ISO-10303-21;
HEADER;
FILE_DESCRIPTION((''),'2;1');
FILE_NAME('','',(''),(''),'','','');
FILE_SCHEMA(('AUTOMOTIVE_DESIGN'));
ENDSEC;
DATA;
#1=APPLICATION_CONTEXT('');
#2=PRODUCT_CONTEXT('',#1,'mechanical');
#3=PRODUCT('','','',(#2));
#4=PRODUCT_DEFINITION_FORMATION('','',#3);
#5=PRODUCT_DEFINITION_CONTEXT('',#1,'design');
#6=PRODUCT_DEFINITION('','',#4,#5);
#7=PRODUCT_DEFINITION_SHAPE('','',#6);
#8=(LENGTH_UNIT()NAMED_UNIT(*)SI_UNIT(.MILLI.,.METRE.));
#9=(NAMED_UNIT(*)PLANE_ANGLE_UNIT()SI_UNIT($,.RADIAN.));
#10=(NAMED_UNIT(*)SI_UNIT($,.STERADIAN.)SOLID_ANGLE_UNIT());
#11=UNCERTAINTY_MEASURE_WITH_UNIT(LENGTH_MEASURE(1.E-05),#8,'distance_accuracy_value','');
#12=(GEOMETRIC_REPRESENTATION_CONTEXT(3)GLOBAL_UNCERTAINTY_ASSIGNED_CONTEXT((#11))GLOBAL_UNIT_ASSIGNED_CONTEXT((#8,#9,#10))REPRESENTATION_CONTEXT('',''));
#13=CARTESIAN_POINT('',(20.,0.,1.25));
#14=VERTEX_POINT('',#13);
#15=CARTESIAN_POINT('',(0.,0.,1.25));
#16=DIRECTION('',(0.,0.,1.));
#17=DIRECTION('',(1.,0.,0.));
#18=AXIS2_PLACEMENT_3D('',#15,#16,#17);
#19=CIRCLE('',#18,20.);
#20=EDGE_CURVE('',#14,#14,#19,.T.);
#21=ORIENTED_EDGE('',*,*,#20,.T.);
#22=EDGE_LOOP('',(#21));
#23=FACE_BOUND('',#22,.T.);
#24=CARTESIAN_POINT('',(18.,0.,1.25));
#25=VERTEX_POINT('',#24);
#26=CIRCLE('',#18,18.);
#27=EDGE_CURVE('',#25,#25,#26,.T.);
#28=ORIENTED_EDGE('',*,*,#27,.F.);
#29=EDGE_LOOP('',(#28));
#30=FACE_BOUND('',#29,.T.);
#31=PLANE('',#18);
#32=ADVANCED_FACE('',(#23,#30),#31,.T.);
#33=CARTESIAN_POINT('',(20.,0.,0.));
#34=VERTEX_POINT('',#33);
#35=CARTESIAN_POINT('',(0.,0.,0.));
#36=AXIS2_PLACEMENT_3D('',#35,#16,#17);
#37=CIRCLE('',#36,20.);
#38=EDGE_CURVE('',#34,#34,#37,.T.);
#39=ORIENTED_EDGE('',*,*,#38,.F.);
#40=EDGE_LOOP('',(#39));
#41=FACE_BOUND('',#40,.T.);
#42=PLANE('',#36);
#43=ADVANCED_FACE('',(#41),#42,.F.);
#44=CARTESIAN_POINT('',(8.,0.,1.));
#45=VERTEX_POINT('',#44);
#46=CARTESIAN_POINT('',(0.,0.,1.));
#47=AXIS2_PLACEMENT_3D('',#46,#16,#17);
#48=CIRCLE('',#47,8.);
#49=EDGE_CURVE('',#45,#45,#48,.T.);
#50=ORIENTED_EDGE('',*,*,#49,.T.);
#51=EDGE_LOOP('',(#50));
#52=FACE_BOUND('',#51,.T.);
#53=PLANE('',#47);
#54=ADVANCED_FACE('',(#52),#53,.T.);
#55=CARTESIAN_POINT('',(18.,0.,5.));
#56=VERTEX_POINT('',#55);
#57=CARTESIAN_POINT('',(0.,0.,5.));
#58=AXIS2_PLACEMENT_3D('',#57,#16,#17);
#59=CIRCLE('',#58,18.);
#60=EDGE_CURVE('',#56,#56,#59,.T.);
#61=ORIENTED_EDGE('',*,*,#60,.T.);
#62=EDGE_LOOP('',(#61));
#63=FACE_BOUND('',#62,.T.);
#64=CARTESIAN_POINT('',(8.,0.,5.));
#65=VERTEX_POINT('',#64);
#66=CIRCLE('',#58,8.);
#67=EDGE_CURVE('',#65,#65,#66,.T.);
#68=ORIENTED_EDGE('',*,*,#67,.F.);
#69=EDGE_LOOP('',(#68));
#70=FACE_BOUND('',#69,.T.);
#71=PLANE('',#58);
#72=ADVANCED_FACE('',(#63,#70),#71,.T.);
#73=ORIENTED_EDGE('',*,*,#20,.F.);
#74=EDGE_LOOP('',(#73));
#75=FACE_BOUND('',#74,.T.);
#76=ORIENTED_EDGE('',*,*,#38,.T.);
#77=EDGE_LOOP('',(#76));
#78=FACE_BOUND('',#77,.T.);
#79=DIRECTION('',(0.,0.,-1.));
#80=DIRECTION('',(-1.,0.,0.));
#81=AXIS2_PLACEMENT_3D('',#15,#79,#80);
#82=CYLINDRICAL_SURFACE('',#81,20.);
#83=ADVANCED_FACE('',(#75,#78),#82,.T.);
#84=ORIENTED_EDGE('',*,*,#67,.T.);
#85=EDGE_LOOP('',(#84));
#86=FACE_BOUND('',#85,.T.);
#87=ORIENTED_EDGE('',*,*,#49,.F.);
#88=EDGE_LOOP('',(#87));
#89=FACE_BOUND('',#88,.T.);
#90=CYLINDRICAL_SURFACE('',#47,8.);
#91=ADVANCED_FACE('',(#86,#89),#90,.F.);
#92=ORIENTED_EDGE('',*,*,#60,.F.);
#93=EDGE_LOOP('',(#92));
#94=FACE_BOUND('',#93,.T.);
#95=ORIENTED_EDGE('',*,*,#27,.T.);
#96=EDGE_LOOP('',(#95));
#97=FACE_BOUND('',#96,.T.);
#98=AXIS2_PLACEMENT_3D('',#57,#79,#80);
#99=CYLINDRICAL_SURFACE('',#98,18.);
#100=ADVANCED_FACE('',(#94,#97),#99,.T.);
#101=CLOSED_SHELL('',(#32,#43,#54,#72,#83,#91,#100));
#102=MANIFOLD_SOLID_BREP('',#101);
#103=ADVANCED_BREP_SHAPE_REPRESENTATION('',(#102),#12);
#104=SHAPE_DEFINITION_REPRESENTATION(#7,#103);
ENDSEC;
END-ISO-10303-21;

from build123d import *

# Parameters (mm, degrees)
SKETCH1_R           = 20
BOSS_EXTRUDE1_DEPTH = 1.25
SKETCH2_R           = 18
BOSS_EXTRUDE2_DEPTH = 3.75
SKETCH3_R           = 8
CUT_EXTRUDE1_DEPTH  = 4


with BuildPart() as part:
    # Sketch1 → Boss-Extrude1 (new body)
    with BuildSketch(Plane.XY):
        Circle(SKETCH1_R)
    extrude(amount=BOSS_EXTRUDE1_DEPTH)

    # Sketch2 → Boss-Extrude2 (add)
    with BuildSketch(Plane.XY.offset(1.25)):
        Circle(SKETCH2_R)
    extrude(amount=BOSS_EXTRUDE2_DEPTH)

    # Sketch3 → Cut-Extrude1 (cut)
    with BuildSketch(Plane.XY.offset(5)):
        Circle(SKETCH3_R)
    extrude(amount=-CUT_EXTRUDE1_DEPTH, mode=Mode.SUBTRACT)


solid = part.part
